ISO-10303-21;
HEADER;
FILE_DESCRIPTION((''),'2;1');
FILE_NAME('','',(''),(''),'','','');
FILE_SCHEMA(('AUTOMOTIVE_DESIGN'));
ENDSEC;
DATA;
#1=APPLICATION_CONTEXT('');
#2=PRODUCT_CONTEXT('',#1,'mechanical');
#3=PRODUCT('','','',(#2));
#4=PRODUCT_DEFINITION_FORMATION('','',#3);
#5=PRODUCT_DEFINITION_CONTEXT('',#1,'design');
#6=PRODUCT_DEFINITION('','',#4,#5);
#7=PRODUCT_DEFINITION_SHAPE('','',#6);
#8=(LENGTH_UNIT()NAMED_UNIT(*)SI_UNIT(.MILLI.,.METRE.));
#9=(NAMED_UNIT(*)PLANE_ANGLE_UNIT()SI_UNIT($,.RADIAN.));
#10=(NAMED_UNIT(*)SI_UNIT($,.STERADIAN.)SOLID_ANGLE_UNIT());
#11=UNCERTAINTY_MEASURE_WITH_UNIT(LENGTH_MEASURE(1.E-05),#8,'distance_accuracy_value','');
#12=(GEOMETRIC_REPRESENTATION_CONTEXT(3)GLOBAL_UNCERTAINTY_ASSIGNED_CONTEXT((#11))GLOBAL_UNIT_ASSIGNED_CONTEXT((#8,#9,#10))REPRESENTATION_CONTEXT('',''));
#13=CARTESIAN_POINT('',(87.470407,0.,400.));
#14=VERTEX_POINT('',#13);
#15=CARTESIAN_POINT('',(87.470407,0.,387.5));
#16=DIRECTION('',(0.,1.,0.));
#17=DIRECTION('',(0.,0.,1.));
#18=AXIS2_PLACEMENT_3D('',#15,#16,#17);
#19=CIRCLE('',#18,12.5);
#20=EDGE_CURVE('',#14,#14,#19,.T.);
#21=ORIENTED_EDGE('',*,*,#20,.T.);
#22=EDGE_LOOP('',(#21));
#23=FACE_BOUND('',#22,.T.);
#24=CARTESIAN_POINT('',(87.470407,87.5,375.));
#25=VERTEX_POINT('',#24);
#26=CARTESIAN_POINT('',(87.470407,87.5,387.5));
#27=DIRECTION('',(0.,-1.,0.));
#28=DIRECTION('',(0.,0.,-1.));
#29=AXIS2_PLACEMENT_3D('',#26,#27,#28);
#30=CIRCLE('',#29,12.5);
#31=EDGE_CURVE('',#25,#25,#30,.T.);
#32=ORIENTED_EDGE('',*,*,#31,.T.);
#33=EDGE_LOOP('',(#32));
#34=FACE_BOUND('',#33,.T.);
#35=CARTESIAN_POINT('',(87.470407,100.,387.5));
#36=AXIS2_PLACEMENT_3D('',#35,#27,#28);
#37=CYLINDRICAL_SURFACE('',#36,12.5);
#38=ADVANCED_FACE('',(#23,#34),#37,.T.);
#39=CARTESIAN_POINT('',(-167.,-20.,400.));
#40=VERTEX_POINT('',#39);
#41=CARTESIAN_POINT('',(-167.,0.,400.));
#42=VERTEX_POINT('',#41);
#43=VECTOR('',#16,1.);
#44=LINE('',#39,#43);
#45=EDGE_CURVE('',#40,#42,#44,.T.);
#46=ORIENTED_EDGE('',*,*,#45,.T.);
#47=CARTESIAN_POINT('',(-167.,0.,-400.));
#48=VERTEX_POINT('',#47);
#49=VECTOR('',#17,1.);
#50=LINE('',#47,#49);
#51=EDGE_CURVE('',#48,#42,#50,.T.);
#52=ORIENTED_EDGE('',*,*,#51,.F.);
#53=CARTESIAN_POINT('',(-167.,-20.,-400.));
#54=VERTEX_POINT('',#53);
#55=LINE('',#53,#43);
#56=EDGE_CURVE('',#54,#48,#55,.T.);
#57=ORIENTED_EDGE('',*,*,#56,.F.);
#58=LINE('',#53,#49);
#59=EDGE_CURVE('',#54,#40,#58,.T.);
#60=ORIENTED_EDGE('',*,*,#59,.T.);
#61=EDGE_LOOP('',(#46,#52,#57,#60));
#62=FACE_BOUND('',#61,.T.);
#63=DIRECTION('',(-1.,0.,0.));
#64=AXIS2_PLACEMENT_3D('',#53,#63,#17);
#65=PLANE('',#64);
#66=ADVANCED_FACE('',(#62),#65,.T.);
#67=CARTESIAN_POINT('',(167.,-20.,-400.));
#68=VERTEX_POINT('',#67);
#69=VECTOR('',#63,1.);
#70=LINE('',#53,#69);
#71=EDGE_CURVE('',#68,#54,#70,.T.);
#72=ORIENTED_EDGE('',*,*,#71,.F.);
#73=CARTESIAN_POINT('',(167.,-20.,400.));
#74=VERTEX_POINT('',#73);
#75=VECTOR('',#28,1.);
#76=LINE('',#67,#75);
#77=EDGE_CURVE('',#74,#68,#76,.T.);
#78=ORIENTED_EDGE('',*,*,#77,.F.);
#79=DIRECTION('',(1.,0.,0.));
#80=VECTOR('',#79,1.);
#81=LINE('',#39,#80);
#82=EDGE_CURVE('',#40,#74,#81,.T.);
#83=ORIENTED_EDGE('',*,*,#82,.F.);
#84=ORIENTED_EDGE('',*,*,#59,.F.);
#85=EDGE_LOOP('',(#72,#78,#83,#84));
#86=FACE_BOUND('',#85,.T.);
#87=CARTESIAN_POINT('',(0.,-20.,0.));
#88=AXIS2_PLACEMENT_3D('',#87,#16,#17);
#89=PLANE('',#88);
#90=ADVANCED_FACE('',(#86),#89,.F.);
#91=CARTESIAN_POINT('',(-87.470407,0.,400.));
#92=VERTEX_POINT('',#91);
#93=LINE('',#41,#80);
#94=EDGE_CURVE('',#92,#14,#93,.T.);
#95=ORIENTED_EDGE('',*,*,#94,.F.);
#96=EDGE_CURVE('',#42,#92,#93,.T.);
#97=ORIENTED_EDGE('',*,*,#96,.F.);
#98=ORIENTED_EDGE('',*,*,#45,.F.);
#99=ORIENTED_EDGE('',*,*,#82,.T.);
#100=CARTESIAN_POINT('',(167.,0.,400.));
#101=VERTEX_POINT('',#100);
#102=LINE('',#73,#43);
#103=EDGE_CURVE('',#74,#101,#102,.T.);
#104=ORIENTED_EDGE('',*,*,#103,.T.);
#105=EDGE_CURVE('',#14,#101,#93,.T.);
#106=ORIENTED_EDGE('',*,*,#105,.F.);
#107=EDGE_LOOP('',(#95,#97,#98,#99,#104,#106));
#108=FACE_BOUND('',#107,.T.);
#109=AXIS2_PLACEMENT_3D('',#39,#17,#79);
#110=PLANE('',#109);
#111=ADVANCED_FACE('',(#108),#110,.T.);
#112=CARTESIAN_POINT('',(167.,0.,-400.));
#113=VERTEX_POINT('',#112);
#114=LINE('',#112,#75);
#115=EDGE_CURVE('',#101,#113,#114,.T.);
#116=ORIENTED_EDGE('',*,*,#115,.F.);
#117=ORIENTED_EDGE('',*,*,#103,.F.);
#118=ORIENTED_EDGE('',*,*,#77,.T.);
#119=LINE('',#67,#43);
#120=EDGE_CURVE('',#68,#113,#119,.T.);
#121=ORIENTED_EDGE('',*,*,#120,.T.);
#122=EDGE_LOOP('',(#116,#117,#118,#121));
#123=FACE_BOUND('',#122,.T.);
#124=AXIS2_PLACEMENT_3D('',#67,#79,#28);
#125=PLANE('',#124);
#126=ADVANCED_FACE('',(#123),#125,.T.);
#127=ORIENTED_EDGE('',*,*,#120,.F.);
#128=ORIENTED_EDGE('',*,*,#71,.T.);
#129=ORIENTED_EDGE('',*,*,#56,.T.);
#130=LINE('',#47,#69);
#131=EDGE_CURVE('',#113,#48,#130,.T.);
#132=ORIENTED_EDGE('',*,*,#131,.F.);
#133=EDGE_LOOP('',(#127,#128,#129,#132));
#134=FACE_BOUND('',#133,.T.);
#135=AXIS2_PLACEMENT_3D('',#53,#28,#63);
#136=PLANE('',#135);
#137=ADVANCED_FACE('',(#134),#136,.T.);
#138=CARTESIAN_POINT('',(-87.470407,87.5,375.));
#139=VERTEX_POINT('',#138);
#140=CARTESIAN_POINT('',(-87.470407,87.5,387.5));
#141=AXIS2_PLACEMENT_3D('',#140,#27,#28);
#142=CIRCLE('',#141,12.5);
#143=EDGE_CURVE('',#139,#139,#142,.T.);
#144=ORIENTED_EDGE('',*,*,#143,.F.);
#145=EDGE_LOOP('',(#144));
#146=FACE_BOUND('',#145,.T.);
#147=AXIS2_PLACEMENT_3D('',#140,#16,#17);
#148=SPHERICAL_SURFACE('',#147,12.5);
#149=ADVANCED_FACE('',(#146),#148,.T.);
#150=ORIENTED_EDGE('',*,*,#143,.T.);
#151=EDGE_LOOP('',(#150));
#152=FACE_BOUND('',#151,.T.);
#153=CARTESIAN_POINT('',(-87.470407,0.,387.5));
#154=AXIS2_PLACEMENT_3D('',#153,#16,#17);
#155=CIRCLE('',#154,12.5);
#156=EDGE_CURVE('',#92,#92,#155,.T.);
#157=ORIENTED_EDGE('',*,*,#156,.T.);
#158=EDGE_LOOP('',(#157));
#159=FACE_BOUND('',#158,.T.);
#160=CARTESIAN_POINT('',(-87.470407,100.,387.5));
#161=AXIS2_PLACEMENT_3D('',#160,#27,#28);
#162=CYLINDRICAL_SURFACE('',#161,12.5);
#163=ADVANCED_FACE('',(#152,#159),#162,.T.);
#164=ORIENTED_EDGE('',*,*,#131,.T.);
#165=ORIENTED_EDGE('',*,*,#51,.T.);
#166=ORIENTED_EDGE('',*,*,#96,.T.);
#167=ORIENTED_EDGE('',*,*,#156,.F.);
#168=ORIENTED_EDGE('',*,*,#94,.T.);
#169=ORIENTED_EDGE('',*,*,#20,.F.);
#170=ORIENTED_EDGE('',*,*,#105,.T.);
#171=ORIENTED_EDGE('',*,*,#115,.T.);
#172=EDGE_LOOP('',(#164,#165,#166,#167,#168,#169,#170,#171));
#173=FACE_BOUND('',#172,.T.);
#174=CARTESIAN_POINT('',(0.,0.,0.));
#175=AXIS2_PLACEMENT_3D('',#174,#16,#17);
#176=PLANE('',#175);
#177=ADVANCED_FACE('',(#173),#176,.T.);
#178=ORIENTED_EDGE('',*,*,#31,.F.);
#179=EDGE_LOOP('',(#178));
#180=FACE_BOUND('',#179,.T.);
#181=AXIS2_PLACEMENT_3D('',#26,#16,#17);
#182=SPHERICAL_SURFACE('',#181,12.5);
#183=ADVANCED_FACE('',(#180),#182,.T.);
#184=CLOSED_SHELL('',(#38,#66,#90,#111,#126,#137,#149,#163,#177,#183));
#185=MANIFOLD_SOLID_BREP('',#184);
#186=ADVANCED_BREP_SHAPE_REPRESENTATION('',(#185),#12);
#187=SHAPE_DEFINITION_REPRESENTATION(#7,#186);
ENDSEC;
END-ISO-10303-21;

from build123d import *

# Parameters (mm, degrees)
SKETCH_1_W      = 334
SKETCH_1_H      = 800
EXTRUDE_1_DEPTH = 20
SKETCH_3_R      = 12.5
EXTRUDE_4_DEPTH = 100
FILLET_1_R      = 12.5


with BuildPart() as part:
    # Эскиз1 → Бобышка-Вытянуть1 (new body)
    with BuildSketch(Plane(origin=(0, 0, 0), x_dir=(1, 0, 0), z_dir=(0, 1, 0))):
        Rectangle(SKETCH_1_W, SKETCH_1_H)
    extrude(amount=-EXTRUDE_1_DEPTH)

    # Эскиз3 → Бобышка-Вытянуть4 (add)
    with BuildSketch(Plane(origin=(0, 0, 0), x_dir=(1, 0, 0), z_dir=(0, 1, 0))):
        with Locations(Location((-87.470406544, -387.5, 0), (0, 0, 270))):
            Circle(SKETCH_3_R)
        with Locations(Location((87.470406544, -387.5, 0), (0, 0, 270))):
            Circle(SKETCH_3_R)
    extrude(amount=EXTRUDE_4_DEPTH)

    # Скругление1
    fillet_1_edges = [part.edges().sort_by_distance(p)[0] for p in [
        (-87.470406544, 100, 375),
        (87.470406544, 100, 375),
    ]]
    fillet(fillet_1_edges, radius=FILLET_1_R)


solid = part.part
